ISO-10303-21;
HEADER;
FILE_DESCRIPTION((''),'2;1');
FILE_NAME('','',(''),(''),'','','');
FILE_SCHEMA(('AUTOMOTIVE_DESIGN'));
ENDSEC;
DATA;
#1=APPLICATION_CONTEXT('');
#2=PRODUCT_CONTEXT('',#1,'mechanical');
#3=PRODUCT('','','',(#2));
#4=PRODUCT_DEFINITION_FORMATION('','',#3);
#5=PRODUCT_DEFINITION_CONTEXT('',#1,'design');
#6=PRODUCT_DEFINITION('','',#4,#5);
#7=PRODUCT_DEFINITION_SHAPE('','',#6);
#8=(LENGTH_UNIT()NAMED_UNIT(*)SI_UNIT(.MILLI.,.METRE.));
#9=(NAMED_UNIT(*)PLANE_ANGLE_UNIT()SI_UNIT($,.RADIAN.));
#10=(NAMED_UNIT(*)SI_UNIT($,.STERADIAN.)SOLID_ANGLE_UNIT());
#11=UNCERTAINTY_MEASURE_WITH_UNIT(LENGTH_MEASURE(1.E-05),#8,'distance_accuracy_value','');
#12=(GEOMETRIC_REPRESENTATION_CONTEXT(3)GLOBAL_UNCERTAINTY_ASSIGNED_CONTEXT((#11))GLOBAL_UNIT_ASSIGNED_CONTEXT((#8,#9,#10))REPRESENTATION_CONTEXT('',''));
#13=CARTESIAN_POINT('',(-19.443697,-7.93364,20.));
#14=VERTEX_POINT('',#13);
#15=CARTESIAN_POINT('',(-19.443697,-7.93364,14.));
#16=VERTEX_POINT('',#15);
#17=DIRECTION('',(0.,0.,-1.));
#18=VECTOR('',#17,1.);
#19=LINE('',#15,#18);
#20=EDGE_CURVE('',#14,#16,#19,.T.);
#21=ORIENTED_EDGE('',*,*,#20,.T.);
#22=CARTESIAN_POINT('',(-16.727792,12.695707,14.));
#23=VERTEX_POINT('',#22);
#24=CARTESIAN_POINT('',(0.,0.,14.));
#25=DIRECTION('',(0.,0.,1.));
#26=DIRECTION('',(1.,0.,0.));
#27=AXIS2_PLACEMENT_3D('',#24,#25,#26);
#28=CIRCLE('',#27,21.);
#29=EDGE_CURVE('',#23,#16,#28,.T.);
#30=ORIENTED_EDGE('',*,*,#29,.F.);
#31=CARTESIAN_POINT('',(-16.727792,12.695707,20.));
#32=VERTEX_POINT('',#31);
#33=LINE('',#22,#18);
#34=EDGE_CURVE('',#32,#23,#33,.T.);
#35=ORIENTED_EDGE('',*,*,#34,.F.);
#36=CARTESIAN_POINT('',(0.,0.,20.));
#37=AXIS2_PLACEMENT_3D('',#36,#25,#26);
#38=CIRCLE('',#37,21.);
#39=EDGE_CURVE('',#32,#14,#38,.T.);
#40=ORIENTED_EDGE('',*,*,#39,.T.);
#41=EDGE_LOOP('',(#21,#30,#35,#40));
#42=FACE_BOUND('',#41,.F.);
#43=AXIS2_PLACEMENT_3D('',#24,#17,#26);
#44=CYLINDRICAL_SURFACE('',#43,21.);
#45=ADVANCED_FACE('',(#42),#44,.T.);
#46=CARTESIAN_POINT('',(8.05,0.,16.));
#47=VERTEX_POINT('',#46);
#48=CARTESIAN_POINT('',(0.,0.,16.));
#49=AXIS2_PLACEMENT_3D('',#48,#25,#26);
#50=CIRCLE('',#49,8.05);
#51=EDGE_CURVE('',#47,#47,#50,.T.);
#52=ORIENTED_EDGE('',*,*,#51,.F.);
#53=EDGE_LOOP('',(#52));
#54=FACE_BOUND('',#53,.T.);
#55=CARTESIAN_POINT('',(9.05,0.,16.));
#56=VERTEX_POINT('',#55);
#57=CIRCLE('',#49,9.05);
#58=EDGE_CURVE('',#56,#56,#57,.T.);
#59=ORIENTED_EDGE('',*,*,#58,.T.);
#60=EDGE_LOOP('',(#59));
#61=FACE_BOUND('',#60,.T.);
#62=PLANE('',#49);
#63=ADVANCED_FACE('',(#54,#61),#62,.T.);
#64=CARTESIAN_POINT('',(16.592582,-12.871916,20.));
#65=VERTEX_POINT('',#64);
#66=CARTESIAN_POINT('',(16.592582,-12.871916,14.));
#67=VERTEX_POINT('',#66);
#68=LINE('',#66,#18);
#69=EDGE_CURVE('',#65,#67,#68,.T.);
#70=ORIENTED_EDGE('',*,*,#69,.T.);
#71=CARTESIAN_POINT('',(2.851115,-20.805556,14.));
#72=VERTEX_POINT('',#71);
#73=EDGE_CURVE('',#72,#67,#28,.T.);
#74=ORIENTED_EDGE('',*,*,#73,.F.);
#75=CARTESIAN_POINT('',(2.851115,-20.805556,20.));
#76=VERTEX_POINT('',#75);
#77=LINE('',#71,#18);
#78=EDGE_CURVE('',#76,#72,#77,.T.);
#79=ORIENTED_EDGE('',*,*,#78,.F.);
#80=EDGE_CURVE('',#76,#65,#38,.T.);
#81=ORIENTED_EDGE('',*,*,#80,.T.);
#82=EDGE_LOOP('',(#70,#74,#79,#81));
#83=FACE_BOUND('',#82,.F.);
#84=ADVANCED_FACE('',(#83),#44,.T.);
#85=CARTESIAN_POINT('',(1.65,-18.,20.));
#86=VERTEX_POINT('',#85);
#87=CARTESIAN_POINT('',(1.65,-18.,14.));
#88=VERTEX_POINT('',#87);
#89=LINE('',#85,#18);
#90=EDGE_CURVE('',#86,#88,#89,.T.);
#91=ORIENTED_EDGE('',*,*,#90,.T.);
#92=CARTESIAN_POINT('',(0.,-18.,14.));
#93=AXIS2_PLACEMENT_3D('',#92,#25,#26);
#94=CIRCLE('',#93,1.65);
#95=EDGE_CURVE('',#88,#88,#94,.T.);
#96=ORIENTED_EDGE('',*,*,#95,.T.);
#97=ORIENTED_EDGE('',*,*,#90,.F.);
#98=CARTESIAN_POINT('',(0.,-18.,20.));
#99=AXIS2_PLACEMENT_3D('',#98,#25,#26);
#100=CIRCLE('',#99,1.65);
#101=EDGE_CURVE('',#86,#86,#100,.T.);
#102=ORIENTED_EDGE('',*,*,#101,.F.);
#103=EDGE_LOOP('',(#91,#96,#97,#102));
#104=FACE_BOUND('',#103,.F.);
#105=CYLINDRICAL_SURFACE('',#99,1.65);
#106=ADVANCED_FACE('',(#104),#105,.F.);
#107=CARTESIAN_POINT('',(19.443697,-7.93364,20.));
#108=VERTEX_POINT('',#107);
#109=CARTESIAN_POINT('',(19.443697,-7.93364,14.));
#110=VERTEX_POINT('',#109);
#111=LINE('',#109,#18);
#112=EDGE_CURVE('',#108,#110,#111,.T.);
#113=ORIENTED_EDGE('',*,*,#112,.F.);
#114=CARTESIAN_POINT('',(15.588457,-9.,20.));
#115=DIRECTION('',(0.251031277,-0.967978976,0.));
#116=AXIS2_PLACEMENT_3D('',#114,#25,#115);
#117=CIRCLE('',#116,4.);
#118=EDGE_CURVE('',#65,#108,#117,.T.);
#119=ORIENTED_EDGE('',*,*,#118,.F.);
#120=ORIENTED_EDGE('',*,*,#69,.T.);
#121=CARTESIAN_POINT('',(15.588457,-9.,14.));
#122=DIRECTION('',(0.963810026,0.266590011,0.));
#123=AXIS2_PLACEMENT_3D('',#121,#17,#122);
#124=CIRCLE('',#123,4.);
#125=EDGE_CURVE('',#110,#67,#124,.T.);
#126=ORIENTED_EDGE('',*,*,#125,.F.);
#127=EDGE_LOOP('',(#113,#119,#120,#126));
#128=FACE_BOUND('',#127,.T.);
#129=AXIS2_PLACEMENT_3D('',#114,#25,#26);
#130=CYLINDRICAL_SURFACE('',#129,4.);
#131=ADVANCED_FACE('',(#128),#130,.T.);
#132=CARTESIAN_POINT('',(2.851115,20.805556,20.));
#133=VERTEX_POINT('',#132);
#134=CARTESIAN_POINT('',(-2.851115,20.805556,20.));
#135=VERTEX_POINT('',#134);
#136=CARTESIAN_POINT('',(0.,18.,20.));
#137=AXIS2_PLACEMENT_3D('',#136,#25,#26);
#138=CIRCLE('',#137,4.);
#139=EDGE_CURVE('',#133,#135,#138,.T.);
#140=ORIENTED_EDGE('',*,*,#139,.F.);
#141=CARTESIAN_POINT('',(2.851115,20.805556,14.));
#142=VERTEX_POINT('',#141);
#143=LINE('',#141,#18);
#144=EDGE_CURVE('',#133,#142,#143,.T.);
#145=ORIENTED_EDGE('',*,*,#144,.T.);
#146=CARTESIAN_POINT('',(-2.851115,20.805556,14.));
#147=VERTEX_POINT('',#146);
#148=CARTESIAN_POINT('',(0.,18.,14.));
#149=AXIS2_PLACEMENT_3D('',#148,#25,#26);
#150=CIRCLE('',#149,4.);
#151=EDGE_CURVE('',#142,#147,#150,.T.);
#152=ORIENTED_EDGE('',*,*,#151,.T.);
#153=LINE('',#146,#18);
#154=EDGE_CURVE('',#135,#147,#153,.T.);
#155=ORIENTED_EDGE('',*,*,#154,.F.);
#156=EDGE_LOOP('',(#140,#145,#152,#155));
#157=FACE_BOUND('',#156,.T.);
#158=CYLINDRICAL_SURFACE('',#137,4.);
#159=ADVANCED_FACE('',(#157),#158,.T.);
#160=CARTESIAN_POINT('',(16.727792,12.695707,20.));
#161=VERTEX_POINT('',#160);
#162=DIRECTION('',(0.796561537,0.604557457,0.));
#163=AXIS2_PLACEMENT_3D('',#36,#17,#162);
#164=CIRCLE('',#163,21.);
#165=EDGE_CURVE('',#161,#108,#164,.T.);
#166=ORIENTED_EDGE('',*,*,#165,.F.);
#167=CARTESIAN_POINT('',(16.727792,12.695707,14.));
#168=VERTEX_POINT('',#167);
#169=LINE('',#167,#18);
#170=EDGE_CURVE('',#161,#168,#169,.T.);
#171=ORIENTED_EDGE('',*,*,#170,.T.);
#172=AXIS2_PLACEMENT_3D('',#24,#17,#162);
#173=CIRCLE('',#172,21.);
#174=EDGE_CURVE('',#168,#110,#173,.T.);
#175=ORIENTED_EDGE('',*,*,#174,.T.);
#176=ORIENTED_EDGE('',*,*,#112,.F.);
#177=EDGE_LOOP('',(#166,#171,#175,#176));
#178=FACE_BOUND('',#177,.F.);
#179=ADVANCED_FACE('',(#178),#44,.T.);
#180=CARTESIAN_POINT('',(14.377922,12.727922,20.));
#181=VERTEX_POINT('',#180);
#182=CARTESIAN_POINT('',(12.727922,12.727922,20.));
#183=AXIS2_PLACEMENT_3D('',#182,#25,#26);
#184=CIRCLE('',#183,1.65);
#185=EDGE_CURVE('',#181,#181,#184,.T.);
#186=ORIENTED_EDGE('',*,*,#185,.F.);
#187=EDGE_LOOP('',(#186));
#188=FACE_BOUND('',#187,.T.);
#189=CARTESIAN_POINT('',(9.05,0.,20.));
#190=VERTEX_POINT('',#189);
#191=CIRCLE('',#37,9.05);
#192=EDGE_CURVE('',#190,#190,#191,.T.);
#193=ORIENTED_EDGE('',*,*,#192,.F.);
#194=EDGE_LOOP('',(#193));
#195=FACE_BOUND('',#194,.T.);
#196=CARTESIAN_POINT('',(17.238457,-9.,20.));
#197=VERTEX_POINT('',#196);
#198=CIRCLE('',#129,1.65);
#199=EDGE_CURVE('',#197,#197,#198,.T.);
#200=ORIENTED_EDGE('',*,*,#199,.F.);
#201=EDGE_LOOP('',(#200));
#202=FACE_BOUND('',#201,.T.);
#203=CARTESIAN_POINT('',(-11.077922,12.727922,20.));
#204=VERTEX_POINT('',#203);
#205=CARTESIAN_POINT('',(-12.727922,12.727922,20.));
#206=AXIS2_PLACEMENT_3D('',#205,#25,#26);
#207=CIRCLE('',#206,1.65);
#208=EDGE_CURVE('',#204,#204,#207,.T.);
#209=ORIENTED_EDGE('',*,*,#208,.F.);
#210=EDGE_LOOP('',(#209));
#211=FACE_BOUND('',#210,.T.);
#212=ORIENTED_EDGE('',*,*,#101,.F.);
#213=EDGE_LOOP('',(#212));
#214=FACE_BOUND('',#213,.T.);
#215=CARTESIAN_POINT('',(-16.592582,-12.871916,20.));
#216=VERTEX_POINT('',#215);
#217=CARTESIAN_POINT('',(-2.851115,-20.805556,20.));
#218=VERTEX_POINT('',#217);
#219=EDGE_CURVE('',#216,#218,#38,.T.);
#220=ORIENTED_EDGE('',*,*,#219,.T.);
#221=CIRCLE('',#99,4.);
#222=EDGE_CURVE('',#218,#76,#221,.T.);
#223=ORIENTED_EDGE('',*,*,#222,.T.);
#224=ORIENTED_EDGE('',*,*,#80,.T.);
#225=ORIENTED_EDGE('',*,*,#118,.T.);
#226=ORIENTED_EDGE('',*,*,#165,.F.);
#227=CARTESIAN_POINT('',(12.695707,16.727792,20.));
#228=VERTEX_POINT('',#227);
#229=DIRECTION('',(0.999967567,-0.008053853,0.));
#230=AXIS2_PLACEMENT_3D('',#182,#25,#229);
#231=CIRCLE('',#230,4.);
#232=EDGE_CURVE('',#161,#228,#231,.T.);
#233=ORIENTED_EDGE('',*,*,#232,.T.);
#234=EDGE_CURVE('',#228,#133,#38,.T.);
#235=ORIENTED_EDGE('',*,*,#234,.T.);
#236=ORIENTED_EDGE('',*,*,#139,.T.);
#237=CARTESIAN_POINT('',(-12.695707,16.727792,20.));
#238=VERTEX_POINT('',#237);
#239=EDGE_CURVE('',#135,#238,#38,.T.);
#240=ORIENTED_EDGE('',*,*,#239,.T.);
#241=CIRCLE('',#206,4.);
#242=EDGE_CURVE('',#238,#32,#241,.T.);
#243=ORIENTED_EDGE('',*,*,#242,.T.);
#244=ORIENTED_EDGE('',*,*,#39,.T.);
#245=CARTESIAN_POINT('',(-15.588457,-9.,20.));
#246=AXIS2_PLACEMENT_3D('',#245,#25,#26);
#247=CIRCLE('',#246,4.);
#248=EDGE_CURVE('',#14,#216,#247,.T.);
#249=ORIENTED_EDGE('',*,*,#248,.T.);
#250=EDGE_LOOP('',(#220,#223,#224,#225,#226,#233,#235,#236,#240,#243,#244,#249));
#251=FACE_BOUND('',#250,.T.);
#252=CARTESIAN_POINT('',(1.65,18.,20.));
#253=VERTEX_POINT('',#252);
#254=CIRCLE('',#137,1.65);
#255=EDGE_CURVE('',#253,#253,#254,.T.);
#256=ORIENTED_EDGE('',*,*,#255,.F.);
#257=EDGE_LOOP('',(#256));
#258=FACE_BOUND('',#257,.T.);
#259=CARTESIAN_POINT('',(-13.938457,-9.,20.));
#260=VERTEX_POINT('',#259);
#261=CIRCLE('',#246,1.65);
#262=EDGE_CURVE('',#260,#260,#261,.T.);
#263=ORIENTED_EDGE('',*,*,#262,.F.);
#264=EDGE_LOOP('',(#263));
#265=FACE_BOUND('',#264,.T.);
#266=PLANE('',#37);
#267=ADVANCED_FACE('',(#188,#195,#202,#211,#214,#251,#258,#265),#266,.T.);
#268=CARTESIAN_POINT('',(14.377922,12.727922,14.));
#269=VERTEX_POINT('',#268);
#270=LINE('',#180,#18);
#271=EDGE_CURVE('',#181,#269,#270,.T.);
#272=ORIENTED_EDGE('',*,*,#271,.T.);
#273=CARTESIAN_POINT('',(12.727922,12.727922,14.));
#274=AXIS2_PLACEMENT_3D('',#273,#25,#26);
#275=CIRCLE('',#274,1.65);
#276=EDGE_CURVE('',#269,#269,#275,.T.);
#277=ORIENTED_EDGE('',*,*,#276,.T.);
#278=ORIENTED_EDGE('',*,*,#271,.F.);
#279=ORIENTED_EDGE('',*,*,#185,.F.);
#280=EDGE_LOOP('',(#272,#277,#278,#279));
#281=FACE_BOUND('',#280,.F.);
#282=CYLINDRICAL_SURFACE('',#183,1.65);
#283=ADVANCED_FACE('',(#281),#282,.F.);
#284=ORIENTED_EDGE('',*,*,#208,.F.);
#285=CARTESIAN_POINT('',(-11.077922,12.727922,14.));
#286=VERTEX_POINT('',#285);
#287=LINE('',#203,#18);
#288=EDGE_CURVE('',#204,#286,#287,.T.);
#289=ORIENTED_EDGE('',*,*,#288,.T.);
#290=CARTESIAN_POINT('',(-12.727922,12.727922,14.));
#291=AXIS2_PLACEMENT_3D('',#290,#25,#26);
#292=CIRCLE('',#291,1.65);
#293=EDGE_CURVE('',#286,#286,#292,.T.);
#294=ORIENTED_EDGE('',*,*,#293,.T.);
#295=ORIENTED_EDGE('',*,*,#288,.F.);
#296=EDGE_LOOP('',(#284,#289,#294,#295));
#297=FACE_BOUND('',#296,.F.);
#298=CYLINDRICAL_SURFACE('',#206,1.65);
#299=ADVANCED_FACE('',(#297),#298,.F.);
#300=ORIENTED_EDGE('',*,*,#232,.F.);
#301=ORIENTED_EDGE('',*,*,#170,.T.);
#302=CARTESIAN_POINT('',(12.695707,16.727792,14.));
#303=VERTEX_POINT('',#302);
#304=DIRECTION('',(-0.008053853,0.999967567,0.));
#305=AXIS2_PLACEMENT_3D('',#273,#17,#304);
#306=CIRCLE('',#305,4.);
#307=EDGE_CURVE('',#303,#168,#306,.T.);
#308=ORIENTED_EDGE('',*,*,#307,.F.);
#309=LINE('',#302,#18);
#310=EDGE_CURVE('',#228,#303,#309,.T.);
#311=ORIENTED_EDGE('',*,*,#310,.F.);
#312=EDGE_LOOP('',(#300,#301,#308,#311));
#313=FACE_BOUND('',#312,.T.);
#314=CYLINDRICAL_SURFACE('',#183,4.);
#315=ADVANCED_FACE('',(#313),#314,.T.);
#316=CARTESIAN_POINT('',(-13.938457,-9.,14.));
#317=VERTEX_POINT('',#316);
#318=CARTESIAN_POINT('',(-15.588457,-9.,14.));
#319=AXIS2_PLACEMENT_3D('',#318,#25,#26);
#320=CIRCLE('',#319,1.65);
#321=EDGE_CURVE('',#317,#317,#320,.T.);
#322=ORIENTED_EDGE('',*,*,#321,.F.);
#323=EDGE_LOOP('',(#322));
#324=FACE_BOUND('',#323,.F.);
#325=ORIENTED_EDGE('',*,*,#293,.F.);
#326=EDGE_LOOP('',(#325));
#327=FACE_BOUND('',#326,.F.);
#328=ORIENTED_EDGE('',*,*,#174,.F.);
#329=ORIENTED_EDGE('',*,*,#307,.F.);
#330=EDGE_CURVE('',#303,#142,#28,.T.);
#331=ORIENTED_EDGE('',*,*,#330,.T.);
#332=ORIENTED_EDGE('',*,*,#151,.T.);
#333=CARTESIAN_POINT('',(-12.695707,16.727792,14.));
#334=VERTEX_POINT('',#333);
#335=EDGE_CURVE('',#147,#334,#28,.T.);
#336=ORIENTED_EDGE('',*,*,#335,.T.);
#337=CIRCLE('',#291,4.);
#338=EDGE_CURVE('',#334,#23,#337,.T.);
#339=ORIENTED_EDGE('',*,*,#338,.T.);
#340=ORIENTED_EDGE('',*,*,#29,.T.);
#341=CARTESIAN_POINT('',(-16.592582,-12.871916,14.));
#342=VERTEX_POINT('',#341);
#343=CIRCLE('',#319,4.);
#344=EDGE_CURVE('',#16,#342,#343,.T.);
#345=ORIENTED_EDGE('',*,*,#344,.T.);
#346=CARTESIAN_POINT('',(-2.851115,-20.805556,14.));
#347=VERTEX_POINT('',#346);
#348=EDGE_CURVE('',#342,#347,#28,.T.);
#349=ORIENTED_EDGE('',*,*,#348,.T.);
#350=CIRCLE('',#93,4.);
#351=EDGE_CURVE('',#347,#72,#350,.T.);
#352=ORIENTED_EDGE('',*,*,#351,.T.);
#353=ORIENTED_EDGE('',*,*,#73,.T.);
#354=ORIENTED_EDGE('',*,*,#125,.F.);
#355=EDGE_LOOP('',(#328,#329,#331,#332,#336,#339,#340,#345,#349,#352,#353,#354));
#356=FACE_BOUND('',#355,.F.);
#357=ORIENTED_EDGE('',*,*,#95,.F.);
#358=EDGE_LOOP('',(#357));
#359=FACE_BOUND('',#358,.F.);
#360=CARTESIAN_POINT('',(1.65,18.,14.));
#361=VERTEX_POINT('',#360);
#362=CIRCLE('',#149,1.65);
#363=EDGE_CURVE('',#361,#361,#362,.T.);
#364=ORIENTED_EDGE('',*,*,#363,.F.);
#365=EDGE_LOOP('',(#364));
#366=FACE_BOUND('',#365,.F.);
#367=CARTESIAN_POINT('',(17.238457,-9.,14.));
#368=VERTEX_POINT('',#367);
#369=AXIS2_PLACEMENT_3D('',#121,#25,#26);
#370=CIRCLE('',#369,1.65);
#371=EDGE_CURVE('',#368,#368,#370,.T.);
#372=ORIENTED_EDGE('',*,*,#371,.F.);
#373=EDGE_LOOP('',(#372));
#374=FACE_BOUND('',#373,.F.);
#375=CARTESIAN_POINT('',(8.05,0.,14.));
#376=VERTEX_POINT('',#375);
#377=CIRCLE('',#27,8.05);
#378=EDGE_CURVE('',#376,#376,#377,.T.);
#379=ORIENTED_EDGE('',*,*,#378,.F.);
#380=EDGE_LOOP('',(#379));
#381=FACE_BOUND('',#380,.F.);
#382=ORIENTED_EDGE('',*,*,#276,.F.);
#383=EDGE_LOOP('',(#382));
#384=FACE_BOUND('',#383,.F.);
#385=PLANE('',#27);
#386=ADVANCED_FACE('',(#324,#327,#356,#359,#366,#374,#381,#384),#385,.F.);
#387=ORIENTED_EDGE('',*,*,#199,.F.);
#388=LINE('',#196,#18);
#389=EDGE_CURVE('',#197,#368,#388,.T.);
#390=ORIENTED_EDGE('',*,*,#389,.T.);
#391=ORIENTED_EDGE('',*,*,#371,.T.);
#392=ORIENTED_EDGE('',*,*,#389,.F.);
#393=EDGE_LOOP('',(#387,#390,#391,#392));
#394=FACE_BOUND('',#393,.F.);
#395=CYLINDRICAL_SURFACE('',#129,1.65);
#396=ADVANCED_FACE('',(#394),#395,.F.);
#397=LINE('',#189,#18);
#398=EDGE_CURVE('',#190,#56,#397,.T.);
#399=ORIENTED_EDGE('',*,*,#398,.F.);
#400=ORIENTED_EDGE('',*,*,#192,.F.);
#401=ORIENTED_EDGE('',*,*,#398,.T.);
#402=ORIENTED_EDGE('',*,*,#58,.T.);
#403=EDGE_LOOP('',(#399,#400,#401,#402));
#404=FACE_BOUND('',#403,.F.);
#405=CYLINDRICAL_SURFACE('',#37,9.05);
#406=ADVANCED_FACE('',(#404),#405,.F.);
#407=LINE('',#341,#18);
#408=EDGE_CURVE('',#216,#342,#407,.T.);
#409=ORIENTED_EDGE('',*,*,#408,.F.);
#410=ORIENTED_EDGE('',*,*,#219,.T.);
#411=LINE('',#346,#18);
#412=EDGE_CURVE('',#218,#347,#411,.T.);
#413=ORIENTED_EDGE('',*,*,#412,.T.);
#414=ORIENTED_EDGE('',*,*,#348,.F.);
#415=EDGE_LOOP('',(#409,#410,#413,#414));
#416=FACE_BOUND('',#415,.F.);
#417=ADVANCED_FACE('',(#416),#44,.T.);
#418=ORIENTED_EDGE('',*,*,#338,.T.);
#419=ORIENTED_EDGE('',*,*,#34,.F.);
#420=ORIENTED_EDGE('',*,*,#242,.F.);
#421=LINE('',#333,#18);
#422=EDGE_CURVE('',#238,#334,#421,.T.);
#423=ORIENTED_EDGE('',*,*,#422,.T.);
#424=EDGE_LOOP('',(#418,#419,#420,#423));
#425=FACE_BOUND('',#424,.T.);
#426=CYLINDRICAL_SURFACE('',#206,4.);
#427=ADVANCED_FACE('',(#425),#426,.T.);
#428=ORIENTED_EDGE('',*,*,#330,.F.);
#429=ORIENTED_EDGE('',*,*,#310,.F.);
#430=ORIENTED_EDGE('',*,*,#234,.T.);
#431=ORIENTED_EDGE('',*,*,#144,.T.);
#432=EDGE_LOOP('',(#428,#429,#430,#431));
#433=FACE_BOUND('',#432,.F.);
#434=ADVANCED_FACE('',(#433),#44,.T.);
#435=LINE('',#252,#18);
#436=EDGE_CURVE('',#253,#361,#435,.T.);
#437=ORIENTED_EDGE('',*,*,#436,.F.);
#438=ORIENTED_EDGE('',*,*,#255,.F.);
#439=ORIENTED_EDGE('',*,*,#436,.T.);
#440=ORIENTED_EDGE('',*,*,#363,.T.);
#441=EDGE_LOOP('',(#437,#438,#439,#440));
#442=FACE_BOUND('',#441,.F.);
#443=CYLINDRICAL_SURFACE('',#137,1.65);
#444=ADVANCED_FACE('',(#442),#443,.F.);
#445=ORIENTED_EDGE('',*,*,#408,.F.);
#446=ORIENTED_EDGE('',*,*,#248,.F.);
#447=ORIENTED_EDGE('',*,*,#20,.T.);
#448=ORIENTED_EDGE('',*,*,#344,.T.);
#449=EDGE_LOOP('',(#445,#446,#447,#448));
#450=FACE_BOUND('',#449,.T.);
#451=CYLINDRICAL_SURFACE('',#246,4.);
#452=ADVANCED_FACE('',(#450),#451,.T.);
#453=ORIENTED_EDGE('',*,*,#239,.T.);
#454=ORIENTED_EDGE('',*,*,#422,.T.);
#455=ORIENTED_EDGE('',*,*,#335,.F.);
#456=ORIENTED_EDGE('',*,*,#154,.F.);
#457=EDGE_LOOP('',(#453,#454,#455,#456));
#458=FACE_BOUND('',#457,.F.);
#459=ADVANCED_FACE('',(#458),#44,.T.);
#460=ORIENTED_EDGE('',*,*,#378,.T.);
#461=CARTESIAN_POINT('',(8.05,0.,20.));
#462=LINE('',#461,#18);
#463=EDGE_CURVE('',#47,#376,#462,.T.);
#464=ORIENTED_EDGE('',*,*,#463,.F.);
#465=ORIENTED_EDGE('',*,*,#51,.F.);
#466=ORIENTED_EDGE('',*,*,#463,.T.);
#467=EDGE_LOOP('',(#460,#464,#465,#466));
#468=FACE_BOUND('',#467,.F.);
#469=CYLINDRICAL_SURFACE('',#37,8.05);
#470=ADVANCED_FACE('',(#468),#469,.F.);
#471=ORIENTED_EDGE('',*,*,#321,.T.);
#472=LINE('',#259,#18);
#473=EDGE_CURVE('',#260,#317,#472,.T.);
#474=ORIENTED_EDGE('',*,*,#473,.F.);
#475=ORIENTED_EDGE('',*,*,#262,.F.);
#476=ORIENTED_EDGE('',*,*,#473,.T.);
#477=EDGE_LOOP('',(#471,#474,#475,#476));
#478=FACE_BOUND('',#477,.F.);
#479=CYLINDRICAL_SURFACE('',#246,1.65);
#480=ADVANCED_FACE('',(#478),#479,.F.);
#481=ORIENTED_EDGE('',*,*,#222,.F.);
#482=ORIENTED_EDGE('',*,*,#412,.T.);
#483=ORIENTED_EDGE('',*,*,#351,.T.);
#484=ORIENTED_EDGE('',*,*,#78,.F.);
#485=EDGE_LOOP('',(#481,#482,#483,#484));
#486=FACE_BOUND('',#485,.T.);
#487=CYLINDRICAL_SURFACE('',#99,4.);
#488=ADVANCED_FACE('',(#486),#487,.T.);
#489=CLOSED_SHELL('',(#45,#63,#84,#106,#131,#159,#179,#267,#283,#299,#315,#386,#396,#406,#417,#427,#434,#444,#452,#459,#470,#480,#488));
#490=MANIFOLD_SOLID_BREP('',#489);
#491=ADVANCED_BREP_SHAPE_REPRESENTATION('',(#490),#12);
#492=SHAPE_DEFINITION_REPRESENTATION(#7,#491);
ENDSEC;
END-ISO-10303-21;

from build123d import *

# Parameters (mm, degrees)
SKETCH009_R     = 21
PAD002_DEPTH    = 6
SKETCH010_R     = 4
PAD003_DEPTH    = 6
SKETCH011_R     = 1.65
POCKET007_DEPTH = 6.001
SKETCH012_R     = 9.05
POCKET008_DEPTH = 4
SKETCH013_R     = 8.05
POCKET009_DEPTH = 6.001


with BuildPart() as part:
    # Sketch009 → Pad002 (new body)
    with BuildSketch(Plane.XY):
        Circle(SKETCH009_R)
    extrude(amount=PAD002_DEPTH)

    # Sketch010 (on DatumPlane) → Pad003 (join)
    with BuildSketch(Plane.XY.offset(6)):
        with Locations((-12.727922, 12.727922)):
            Circle(SKETCH010_R)
        with Locations((0, 18)):
            Circle(SKETCH010_R)
        with Locations((12.727922, 12.727922)):
            Circle(SKETCH010_R)
        with Locations((15.588457, -9)):
            Circle(SKETCH010_R)
        with Locations((-15.588457, -9)):
            Circle(SKETCH010_R)
        with Locations((0, -18)):
            Circle(SKETCH010_R)
    extrude(amount=-PAD003_DEPTH)

    # Sketch011 (on DatumPlane) → Pocket007 (cut, through all)
    with BuildSketch(Plane.XY.offset(6)):
        with Locations((-12.727922, 12.727922)):
            Circle(SKETCH011_R)
        with Locations((0, 18)):
            Circle(SKETCH011_R)
        with Locations((12.727922, 12.727922)):
            Circle(SKETCH011_R)
        with Locations((-15.588457, -9)):
            Circle(SKETCH011_R)
        with Locations((15.588457, -9)):
            Circle(SKETCH011_R)
        with Locations((0, -18)):
            Circle(SKETCH011_R)
    extrude(amount=-POCKET007_DEPTH, mode=Mode.SUBTRACT)

    # Sketch012 (on DatumPlane) → Pocket008 (cut)
    with BuildSketch(Plane.XY.offset(6)):
        Circle(SKETCH012_R)
    extrude(amount=-POCKET008_DEPTH, mode=Mode.SUBTRACT)

    # Sketch013 (on DatumPlane) → Pocket009 (cut, through all)
    with BuildSketch(Plane.XY.offset(6)):
        Circle(SKETCH013_R)
    extrude(amount=-POCKET009_DEPTH, mode=Mode.SUBTRACT)


with BuildPart() as part_1:
    # Body001 placement: moved
    add(part.part.moved(Location((0, 0, 14))))


solid = part_1.part
